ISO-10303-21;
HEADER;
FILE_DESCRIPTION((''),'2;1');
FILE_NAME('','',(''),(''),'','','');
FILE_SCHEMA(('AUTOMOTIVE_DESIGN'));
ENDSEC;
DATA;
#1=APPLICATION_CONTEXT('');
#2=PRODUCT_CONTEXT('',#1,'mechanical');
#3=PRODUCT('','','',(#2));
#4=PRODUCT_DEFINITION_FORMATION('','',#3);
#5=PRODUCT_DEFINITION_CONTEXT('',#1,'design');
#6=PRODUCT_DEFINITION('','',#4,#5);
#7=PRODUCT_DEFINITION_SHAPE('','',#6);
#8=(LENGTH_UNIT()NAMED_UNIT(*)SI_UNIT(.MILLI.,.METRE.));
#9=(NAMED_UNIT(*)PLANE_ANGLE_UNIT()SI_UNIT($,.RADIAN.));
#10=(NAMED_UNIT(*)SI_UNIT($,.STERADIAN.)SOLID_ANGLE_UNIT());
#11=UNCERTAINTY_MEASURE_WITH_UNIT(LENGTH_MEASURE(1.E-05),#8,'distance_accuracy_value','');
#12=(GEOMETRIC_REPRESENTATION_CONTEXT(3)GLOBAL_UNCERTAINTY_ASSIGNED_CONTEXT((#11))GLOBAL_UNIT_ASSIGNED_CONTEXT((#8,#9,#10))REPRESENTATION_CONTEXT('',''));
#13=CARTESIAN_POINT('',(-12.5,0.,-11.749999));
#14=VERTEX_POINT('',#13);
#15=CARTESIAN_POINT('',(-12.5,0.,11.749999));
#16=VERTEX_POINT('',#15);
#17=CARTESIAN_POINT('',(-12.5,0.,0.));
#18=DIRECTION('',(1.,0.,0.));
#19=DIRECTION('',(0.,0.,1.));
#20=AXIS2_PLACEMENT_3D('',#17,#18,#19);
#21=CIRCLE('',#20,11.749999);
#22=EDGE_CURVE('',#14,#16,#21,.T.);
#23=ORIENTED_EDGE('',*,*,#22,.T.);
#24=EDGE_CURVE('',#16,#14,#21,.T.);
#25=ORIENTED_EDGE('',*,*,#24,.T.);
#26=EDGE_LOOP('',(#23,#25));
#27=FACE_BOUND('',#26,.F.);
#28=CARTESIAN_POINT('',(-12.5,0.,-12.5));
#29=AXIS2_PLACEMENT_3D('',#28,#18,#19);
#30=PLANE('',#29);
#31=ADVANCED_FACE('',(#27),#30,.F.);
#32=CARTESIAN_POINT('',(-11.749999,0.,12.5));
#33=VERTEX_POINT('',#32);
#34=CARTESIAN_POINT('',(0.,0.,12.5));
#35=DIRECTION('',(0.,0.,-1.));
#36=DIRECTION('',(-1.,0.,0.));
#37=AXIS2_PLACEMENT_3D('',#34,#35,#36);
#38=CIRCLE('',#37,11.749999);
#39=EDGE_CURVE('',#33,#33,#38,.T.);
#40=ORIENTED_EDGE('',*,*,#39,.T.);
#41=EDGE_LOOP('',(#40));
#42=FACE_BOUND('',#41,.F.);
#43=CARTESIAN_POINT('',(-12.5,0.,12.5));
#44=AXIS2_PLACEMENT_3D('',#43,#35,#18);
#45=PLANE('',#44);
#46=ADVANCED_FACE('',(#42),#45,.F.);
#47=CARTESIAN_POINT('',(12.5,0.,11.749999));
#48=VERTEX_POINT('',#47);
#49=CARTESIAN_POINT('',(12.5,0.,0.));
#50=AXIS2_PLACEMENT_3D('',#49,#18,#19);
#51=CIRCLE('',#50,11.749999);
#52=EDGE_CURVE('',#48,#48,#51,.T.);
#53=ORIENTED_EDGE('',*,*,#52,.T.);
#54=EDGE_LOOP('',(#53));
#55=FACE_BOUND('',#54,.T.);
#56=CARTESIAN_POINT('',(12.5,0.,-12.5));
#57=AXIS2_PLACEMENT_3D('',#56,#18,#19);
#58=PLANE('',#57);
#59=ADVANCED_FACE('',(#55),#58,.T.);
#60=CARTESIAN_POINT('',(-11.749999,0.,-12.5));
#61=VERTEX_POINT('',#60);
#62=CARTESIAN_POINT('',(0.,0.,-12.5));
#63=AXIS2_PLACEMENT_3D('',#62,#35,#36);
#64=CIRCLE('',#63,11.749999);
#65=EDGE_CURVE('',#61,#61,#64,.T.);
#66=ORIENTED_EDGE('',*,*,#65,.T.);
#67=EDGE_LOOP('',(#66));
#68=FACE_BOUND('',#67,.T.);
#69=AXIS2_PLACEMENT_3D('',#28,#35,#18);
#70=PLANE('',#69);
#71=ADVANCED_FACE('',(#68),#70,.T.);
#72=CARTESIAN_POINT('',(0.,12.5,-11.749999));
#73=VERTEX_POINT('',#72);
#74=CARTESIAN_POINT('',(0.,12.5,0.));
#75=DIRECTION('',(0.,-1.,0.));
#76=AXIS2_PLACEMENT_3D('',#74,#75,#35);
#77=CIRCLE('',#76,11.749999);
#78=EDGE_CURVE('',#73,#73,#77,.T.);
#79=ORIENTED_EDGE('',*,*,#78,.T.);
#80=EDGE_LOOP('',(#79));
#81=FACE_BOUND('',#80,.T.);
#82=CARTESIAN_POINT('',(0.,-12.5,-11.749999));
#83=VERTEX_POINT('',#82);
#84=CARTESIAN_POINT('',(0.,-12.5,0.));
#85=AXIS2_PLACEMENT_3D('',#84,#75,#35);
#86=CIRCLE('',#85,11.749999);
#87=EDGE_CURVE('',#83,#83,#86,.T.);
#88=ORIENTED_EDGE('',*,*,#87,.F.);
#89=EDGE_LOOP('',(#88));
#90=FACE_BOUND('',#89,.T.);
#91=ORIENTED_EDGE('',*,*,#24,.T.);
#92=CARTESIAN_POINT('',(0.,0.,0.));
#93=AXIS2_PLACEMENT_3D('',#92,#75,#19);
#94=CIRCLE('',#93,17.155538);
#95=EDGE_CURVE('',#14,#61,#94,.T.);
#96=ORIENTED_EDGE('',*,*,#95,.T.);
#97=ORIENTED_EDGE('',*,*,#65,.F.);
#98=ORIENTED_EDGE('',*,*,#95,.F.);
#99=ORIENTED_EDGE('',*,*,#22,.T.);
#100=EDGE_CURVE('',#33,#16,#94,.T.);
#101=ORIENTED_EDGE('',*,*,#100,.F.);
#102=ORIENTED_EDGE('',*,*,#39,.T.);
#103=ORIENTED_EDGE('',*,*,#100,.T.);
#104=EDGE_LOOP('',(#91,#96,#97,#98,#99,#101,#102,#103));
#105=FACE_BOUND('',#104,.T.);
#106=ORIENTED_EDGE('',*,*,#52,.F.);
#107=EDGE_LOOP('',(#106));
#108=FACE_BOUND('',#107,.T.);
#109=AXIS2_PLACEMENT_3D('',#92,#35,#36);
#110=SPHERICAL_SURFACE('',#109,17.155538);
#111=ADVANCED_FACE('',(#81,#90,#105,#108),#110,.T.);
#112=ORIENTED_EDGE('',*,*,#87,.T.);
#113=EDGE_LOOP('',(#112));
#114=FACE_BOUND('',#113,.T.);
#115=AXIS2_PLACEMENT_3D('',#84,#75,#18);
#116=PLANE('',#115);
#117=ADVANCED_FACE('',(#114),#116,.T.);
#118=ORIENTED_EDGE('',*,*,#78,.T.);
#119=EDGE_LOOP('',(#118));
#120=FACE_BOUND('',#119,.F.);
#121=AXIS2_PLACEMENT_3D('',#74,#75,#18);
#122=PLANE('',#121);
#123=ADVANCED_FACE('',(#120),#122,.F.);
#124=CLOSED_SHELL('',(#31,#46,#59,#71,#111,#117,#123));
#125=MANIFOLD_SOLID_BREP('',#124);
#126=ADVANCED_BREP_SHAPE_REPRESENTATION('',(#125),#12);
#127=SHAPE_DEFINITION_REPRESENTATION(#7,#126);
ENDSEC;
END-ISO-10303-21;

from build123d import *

# Parameters (mm, degrees)
F0_W     = 25
F0_H     = 25
F1_DEPTH = 12.5


with BuildPart() as f1:
    # F0 (on Front) → F1 (new body, symmetric)
    with BuildSketch(Plane.XZ):
        Rectangle(F0_W, F0_H)
    extrude(amount=F1_DEPTH, both=True)

    # F2 (on Front) → F3 (revolve, intersect)
    with BuildSketch(Plane.XZ):
        with BuildLine():
            Line((0, -17.155538), (0, 17.155538))
            ThreePointArc((0, 17.155538), (-17.155538, 0), (0, -17.155538))
        make_face()
    revolve(axis=Axis((0, 0, 0), (0, 0, -1)), mode=Mode.INTERSECT)


solid = f1.part
